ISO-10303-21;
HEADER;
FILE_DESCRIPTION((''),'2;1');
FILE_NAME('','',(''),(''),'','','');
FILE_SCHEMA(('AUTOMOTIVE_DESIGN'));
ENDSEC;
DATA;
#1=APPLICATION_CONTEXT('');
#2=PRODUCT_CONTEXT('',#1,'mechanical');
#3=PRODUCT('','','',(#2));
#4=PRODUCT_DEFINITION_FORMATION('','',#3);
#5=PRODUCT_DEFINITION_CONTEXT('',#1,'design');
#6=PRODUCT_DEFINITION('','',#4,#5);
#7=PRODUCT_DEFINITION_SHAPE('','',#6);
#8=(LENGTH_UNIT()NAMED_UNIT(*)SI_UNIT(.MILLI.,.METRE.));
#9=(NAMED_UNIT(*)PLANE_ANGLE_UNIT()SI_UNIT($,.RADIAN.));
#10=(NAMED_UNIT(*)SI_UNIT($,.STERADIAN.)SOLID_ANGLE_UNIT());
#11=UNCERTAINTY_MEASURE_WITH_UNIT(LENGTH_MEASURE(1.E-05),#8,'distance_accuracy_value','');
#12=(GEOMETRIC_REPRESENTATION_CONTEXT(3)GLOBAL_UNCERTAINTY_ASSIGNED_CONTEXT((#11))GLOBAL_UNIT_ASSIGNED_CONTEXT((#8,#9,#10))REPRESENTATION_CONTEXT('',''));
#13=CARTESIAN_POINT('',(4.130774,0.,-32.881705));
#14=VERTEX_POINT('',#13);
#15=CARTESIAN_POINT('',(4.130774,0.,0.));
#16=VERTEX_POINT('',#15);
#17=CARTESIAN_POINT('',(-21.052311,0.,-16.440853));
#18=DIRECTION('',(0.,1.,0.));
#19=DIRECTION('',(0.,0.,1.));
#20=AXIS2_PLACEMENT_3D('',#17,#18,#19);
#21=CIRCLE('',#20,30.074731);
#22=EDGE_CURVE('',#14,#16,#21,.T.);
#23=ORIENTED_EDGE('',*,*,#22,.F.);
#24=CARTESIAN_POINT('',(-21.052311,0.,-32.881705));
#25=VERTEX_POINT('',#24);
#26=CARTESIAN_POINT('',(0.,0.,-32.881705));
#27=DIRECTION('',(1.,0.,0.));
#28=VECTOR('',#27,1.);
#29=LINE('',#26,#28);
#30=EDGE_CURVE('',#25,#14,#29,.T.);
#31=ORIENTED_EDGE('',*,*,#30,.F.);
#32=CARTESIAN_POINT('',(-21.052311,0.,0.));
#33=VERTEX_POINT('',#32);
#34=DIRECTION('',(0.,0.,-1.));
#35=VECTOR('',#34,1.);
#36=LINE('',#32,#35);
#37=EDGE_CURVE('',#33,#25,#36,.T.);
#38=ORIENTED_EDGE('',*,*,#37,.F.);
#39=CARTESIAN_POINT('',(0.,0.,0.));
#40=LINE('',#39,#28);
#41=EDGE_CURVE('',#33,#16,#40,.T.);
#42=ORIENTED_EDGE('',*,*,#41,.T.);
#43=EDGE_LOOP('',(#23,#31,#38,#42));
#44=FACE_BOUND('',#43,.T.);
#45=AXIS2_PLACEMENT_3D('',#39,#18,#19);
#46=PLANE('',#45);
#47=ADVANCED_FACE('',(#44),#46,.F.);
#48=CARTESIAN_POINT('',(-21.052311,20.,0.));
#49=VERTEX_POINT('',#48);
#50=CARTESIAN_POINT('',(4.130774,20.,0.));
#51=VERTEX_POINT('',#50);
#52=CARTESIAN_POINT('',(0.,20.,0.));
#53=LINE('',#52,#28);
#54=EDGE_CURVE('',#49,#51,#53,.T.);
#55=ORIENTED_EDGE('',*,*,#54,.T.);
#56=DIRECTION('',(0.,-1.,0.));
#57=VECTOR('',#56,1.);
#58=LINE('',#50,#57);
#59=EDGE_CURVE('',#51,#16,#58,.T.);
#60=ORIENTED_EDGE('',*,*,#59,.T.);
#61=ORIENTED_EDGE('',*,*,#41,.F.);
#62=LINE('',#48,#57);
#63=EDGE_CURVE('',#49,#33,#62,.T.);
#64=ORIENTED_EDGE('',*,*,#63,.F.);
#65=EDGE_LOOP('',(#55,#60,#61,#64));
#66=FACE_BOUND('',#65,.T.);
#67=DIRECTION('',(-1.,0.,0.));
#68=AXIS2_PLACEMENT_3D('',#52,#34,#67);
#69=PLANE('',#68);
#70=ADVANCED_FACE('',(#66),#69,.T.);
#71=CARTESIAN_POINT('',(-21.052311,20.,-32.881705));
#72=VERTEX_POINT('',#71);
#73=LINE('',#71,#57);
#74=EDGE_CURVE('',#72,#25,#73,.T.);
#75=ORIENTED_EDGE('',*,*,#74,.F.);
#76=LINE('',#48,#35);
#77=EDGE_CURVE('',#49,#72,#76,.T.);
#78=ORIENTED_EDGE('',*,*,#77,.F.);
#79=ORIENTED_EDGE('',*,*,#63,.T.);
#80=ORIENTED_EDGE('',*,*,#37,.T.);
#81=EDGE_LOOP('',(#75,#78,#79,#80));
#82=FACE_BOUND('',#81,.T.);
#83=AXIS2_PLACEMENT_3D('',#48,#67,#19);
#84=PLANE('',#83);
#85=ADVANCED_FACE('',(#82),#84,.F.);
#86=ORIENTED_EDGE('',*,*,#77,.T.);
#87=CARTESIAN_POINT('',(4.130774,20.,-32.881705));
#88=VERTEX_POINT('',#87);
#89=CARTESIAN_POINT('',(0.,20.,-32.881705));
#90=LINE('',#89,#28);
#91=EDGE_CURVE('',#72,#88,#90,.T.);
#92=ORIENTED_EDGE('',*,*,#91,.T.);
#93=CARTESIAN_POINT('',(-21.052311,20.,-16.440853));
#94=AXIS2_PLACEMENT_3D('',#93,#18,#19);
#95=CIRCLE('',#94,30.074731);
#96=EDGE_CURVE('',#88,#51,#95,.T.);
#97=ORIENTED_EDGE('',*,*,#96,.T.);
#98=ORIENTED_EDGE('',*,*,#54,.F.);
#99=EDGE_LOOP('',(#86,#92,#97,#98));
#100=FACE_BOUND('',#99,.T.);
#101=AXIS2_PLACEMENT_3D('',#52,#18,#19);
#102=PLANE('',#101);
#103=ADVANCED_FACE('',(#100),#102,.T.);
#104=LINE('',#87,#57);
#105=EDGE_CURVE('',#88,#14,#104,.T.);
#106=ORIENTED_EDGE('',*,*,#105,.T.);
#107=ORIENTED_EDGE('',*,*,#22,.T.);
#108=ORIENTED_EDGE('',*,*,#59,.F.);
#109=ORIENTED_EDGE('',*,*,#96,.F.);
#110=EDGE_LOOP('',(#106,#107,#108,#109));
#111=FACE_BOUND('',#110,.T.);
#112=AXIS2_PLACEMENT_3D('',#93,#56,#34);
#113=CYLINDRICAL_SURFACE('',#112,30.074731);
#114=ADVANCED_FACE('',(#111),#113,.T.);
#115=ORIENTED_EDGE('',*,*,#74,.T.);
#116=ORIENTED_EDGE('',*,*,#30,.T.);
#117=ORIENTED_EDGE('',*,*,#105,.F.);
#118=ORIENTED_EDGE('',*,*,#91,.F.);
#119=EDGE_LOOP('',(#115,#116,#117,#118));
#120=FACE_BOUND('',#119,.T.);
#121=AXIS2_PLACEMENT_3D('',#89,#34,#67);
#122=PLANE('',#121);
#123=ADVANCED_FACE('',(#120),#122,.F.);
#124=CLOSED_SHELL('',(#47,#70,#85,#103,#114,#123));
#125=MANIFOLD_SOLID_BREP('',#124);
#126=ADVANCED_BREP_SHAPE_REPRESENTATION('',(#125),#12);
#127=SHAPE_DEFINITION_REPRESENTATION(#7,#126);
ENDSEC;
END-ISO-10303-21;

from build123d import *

# Parameters (mm, degrees)
BOSS_EXTRUDE1_DEPTH = 20


with BuildPart() as part:
    # Sketch1 → Boss-Extrude1 (new body)
    with BuildSketch(Plane(origin=(0, 0, 0), x_dir=(1, 0, 0), z_dir=(0, 1, 0))):
        with BuildLine():
            Line((4.130773819, 0), (-21.05231141, 0))
            Line((-21.05231141, 0), (-21.05231141, 32.88170544))
            Line((-21.05231141, 32.88170544), (4.130773819, 32.88170544))
            ThreePointArc((4.130773819, 32.88170544), (-51.127041995, 16.44085272), (4.130773819, 0))
        make_face()
    extrude(amount=BOSS_EXTRUDE1_DEPTH)


solid = part.part
